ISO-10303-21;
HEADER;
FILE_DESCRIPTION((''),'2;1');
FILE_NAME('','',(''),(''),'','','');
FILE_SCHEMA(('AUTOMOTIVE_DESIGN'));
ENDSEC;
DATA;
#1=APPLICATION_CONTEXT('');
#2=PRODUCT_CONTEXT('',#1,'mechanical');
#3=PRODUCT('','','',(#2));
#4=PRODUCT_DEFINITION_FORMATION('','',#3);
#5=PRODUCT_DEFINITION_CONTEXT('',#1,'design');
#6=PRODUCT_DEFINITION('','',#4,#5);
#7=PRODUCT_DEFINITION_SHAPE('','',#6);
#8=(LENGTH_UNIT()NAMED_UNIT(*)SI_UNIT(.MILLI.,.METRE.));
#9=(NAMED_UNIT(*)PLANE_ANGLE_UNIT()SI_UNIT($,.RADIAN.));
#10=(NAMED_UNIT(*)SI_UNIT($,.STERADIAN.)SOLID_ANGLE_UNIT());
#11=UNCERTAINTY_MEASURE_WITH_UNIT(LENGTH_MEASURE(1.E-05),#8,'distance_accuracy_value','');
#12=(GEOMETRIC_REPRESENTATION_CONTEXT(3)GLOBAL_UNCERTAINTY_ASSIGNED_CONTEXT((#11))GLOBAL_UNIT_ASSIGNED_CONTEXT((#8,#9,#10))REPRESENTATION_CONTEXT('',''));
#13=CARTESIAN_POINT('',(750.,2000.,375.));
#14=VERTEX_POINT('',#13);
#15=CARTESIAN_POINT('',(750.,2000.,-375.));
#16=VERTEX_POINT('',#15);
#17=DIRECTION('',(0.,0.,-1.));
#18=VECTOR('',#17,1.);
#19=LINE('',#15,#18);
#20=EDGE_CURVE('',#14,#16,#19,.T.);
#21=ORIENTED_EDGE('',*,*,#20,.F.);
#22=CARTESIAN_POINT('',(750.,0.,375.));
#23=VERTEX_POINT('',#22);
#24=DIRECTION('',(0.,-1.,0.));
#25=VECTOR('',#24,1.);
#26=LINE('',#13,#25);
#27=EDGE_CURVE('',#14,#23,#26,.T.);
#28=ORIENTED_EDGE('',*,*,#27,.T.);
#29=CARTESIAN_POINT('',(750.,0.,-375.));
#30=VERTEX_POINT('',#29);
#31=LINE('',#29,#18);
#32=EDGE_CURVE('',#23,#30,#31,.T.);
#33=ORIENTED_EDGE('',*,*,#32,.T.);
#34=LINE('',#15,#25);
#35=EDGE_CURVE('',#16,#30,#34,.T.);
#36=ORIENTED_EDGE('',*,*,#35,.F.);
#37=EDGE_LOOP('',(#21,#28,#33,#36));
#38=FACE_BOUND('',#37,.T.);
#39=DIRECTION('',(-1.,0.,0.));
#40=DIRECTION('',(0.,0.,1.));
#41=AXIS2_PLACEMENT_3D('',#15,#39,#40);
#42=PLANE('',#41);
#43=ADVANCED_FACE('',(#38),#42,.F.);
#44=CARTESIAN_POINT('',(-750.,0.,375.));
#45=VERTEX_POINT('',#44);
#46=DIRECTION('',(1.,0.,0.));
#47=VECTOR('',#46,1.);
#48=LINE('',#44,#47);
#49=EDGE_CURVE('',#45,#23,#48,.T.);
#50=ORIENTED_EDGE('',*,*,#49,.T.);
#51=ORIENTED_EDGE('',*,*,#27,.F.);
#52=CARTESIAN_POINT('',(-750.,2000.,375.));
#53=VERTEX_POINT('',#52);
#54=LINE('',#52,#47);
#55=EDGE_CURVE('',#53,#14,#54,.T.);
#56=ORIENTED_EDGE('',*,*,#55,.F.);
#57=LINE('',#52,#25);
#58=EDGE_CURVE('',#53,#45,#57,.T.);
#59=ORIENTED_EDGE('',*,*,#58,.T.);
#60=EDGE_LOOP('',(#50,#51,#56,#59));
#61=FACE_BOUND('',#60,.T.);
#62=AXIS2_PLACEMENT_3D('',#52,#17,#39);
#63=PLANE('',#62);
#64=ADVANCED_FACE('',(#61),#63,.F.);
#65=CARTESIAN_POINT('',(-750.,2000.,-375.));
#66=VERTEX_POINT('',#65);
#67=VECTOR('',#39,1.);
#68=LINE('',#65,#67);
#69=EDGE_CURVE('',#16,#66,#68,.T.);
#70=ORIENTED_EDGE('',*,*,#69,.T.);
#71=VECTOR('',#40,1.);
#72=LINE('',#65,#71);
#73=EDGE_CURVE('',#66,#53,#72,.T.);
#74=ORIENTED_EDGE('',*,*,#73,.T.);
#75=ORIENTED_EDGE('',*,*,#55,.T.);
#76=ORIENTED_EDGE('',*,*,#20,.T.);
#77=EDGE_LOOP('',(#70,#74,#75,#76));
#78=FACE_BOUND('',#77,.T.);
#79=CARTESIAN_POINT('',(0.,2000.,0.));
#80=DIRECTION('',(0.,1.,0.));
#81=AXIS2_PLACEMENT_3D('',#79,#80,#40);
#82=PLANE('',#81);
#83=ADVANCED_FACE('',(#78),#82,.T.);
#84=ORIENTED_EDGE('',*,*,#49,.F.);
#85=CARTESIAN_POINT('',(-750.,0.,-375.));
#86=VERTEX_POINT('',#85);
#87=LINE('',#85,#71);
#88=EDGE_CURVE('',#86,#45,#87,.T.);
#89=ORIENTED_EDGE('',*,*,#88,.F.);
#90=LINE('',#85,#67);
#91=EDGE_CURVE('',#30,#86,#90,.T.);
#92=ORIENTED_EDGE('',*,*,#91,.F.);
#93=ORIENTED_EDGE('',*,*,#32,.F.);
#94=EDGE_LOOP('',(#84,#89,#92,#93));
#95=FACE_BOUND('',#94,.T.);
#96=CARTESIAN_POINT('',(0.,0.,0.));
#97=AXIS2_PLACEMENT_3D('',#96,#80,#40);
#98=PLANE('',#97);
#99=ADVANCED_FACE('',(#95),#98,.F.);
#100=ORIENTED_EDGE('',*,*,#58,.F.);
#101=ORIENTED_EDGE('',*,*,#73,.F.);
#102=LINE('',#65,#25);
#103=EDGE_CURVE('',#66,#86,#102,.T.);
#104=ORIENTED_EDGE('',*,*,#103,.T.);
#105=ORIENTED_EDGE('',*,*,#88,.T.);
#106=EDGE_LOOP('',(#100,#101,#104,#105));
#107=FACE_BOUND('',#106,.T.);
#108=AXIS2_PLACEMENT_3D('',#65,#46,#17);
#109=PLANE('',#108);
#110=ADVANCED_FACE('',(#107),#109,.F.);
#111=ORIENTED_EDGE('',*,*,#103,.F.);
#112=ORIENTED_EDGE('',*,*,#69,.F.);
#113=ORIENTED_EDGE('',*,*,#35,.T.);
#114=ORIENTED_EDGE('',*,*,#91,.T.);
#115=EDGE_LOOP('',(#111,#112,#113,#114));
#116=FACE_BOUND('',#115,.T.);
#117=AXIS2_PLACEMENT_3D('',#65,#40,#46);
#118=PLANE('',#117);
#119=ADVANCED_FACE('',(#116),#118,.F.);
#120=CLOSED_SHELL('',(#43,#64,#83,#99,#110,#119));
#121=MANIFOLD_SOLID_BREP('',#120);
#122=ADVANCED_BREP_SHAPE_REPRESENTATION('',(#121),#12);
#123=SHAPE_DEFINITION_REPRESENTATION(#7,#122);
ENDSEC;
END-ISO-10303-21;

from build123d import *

# Parameters (mm, degrees)
SKETCH_1_W      = 1500
SKETCH_1_H      = 750
EXTRUDE_1_DEPTH = 2000


with BuildPart() as part:
    # 草圖1 → 填料-伸長1 (new body)
    with BuildSketch(Plane(origin=(0, 0, 0), x_dir=(1, 0, 0), z_dir=(0, 1, 0))):
        Rectangle(SKETCH_1_W, SKETCH_1_H)
    extrude(amount=EXTRUDE_1_DEPTH)


solid = part.part
